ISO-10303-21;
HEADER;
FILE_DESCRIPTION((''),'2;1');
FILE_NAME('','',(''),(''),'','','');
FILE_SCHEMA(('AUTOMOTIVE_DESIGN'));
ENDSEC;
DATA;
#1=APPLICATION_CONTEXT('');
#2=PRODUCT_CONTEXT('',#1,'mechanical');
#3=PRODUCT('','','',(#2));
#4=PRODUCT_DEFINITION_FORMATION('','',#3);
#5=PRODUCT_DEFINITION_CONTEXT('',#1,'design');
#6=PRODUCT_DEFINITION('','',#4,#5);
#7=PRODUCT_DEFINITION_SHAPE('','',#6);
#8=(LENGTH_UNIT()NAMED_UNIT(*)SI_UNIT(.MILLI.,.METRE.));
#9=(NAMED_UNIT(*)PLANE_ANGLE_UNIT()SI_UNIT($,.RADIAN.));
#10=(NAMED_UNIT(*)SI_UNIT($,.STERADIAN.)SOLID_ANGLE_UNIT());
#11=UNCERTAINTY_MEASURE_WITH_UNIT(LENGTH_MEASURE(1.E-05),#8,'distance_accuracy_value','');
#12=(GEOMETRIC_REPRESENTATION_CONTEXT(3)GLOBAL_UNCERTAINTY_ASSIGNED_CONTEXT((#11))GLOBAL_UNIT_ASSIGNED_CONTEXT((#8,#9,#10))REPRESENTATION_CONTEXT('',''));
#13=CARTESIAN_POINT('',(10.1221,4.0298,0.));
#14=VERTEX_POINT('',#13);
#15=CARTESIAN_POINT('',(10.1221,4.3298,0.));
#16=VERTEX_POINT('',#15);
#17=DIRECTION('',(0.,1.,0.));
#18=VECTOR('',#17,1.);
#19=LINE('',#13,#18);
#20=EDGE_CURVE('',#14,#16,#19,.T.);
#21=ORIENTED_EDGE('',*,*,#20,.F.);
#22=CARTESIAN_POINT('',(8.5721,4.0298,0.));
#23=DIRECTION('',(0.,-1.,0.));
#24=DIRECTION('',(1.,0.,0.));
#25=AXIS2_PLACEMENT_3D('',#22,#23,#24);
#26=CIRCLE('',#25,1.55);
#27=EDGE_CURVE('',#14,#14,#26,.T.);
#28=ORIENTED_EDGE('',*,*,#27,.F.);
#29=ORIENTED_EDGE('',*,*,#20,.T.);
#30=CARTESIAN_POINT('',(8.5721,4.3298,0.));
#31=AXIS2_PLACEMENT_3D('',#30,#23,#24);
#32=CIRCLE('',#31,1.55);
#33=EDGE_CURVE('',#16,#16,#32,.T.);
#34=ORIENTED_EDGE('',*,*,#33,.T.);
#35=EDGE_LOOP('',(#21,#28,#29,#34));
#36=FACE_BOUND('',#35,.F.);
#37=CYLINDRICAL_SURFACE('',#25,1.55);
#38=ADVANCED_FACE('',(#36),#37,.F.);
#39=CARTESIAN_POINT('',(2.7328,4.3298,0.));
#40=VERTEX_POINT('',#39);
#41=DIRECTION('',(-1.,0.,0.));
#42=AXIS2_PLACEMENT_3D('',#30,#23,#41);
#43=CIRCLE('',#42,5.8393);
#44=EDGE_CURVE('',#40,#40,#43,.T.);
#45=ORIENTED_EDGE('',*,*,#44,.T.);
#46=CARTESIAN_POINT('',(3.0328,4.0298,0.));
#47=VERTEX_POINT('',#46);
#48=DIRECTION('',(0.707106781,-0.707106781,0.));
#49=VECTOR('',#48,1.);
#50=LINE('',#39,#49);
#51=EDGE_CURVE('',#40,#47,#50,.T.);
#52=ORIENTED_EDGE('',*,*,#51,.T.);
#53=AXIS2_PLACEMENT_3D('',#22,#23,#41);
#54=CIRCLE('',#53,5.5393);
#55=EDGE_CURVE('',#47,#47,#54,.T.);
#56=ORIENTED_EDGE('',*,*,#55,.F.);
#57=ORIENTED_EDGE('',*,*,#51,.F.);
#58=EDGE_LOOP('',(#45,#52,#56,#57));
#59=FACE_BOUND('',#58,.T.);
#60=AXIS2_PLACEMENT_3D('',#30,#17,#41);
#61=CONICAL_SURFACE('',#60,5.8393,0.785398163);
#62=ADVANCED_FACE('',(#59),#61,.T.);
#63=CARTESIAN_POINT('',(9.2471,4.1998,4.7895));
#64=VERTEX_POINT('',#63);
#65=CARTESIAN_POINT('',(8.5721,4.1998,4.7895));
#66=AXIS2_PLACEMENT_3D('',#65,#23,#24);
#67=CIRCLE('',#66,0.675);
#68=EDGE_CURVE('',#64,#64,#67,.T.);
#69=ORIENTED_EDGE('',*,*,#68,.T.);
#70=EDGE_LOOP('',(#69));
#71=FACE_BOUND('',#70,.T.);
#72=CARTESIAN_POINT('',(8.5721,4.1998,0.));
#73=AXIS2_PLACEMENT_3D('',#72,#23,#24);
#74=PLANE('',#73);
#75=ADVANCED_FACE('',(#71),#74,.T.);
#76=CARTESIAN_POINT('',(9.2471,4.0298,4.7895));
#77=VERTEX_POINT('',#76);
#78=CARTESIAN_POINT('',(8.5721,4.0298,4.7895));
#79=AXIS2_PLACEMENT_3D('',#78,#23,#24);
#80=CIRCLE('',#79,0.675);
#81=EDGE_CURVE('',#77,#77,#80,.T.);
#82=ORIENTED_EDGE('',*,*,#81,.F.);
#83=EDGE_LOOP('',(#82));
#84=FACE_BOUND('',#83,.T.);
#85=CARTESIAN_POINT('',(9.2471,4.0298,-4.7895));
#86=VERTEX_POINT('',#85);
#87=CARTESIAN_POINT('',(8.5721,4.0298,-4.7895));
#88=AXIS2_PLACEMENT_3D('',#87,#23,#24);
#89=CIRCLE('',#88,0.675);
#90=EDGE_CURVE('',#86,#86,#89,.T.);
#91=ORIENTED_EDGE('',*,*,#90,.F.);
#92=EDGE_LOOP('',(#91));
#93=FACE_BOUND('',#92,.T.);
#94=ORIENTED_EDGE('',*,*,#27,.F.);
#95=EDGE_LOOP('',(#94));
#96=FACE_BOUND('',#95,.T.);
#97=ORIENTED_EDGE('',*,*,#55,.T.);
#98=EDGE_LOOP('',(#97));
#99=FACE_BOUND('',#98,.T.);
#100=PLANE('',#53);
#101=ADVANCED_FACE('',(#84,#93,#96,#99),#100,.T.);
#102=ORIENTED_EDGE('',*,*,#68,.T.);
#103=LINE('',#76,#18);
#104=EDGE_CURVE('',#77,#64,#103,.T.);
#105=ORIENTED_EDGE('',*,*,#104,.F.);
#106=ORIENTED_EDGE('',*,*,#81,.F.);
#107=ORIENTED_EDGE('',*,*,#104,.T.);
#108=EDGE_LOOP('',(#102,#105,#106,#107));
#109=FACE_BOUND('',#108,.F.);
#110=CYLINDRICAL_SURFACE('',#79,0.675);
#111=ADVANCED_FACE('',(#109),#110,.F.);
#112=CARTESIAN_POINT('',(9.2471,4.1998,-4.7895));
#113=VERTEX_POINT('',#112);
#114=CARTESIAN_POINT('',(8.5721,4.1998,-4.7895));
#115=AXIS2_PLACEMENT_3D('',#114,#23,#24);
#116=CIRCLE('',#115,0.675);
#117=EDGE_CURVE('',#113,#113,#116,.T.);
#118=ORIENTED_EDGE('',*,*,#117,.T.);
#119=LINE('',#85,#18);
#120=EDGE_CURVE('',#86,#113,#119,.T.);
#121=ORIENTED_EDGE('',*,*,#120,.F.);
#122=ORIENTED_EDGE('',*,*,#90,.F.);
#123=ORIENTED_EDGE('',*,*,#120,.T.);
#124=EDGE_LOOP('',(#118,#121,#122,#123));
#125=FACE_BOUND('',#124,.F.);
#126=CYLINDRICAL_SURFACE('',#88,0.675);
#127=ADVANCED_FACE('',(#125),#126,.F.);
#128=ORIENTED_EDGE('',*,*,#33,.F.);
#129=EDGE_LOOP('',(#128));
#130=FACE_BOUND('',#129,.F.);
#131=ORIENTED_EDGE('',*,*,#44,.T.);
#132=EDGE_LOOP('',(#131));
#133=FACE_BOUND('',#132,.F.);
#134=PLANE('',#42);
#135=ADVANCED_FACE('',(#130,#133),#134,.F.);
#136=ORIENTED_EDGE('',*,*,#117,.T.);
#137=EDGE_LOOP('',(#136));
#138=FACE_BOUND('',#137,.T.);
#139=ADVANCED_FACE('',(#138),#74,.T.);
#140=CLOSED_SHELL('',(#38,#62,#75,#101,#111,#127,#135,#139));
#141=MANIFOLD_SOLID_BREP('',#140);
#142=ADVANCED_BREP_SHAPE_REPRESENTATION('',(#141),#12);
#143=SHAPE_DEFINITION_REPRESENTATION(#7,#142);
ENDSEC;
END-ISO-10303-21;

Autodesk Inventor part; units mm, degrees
ref_plane "YZ Plane" through (0, 0, 0) normal (1, 0, 0) x (0, 1, 0)
ref_plane "XZ Plane" through (0, 0, 0) normal (0, 1, 0) x (-1, 0, 0)
ref_plane "XY Plane" through (0, 0, 0) normal (0, 0, 1) x (1, 0, 0)
sketch "Boceto1" plane through (0, 0, 0) normal (0, 0, 1) x (1, 0, 0)
  line L0 (2.7328, 4.3298) -> (8.5721, 4.3298)
  line L1 (3.0328, 4.0298) -> (8.5721, 4.0298)
  line L2 (8.5721, 4.3298) -> (8.5721, 4.0298)
  line L3 (2.7328, 4.3298) -> (3.0328, 4.0298)
  point P0 (0, 0)
revolve "Revolución1" add sketch "Boceto1" angle 360 about axis through (8.5721, 4.3298, 0) along (0, -1, 0)
sketch "Boceto3" plane through (8.5721, 4.0298, 0) normal (0, -1, 0) x (1, 0, 0)
  circle A0 centre (0, 0) radius 5.5393 projected
  circle A1 centre (0, 0) radius 5.8393
  circle A2 centre (0, 4.7895) radius 0.675
  circle A3 centre (0, -4.7895) radius 0.675
  point P0 (-8.5721, 0)
  point P1 (0, -4.7895)
  dimension "d5" = 1.35
  dimension "d6" = 1.35
extrude "Extrusión2" cut sketch "Boceto3" against normal blind 0.17 contours A2 | A3
sketch "Boceto4" plane through (8.5721, 4.0298, 0) normal (0, -1, 0) x (1, 0, 0)
  circle A0 centre (0, 0) radius 5.5393 projected
  circle A1 centre (0, 0) radius 1.55
  point P0 (-8.5721, 0)
  dimension "d9" = 3.1
extrude "Extrusión3" cut sketch "Boceto4" against normal blind 10 contours A1
properties part number "cuello"
